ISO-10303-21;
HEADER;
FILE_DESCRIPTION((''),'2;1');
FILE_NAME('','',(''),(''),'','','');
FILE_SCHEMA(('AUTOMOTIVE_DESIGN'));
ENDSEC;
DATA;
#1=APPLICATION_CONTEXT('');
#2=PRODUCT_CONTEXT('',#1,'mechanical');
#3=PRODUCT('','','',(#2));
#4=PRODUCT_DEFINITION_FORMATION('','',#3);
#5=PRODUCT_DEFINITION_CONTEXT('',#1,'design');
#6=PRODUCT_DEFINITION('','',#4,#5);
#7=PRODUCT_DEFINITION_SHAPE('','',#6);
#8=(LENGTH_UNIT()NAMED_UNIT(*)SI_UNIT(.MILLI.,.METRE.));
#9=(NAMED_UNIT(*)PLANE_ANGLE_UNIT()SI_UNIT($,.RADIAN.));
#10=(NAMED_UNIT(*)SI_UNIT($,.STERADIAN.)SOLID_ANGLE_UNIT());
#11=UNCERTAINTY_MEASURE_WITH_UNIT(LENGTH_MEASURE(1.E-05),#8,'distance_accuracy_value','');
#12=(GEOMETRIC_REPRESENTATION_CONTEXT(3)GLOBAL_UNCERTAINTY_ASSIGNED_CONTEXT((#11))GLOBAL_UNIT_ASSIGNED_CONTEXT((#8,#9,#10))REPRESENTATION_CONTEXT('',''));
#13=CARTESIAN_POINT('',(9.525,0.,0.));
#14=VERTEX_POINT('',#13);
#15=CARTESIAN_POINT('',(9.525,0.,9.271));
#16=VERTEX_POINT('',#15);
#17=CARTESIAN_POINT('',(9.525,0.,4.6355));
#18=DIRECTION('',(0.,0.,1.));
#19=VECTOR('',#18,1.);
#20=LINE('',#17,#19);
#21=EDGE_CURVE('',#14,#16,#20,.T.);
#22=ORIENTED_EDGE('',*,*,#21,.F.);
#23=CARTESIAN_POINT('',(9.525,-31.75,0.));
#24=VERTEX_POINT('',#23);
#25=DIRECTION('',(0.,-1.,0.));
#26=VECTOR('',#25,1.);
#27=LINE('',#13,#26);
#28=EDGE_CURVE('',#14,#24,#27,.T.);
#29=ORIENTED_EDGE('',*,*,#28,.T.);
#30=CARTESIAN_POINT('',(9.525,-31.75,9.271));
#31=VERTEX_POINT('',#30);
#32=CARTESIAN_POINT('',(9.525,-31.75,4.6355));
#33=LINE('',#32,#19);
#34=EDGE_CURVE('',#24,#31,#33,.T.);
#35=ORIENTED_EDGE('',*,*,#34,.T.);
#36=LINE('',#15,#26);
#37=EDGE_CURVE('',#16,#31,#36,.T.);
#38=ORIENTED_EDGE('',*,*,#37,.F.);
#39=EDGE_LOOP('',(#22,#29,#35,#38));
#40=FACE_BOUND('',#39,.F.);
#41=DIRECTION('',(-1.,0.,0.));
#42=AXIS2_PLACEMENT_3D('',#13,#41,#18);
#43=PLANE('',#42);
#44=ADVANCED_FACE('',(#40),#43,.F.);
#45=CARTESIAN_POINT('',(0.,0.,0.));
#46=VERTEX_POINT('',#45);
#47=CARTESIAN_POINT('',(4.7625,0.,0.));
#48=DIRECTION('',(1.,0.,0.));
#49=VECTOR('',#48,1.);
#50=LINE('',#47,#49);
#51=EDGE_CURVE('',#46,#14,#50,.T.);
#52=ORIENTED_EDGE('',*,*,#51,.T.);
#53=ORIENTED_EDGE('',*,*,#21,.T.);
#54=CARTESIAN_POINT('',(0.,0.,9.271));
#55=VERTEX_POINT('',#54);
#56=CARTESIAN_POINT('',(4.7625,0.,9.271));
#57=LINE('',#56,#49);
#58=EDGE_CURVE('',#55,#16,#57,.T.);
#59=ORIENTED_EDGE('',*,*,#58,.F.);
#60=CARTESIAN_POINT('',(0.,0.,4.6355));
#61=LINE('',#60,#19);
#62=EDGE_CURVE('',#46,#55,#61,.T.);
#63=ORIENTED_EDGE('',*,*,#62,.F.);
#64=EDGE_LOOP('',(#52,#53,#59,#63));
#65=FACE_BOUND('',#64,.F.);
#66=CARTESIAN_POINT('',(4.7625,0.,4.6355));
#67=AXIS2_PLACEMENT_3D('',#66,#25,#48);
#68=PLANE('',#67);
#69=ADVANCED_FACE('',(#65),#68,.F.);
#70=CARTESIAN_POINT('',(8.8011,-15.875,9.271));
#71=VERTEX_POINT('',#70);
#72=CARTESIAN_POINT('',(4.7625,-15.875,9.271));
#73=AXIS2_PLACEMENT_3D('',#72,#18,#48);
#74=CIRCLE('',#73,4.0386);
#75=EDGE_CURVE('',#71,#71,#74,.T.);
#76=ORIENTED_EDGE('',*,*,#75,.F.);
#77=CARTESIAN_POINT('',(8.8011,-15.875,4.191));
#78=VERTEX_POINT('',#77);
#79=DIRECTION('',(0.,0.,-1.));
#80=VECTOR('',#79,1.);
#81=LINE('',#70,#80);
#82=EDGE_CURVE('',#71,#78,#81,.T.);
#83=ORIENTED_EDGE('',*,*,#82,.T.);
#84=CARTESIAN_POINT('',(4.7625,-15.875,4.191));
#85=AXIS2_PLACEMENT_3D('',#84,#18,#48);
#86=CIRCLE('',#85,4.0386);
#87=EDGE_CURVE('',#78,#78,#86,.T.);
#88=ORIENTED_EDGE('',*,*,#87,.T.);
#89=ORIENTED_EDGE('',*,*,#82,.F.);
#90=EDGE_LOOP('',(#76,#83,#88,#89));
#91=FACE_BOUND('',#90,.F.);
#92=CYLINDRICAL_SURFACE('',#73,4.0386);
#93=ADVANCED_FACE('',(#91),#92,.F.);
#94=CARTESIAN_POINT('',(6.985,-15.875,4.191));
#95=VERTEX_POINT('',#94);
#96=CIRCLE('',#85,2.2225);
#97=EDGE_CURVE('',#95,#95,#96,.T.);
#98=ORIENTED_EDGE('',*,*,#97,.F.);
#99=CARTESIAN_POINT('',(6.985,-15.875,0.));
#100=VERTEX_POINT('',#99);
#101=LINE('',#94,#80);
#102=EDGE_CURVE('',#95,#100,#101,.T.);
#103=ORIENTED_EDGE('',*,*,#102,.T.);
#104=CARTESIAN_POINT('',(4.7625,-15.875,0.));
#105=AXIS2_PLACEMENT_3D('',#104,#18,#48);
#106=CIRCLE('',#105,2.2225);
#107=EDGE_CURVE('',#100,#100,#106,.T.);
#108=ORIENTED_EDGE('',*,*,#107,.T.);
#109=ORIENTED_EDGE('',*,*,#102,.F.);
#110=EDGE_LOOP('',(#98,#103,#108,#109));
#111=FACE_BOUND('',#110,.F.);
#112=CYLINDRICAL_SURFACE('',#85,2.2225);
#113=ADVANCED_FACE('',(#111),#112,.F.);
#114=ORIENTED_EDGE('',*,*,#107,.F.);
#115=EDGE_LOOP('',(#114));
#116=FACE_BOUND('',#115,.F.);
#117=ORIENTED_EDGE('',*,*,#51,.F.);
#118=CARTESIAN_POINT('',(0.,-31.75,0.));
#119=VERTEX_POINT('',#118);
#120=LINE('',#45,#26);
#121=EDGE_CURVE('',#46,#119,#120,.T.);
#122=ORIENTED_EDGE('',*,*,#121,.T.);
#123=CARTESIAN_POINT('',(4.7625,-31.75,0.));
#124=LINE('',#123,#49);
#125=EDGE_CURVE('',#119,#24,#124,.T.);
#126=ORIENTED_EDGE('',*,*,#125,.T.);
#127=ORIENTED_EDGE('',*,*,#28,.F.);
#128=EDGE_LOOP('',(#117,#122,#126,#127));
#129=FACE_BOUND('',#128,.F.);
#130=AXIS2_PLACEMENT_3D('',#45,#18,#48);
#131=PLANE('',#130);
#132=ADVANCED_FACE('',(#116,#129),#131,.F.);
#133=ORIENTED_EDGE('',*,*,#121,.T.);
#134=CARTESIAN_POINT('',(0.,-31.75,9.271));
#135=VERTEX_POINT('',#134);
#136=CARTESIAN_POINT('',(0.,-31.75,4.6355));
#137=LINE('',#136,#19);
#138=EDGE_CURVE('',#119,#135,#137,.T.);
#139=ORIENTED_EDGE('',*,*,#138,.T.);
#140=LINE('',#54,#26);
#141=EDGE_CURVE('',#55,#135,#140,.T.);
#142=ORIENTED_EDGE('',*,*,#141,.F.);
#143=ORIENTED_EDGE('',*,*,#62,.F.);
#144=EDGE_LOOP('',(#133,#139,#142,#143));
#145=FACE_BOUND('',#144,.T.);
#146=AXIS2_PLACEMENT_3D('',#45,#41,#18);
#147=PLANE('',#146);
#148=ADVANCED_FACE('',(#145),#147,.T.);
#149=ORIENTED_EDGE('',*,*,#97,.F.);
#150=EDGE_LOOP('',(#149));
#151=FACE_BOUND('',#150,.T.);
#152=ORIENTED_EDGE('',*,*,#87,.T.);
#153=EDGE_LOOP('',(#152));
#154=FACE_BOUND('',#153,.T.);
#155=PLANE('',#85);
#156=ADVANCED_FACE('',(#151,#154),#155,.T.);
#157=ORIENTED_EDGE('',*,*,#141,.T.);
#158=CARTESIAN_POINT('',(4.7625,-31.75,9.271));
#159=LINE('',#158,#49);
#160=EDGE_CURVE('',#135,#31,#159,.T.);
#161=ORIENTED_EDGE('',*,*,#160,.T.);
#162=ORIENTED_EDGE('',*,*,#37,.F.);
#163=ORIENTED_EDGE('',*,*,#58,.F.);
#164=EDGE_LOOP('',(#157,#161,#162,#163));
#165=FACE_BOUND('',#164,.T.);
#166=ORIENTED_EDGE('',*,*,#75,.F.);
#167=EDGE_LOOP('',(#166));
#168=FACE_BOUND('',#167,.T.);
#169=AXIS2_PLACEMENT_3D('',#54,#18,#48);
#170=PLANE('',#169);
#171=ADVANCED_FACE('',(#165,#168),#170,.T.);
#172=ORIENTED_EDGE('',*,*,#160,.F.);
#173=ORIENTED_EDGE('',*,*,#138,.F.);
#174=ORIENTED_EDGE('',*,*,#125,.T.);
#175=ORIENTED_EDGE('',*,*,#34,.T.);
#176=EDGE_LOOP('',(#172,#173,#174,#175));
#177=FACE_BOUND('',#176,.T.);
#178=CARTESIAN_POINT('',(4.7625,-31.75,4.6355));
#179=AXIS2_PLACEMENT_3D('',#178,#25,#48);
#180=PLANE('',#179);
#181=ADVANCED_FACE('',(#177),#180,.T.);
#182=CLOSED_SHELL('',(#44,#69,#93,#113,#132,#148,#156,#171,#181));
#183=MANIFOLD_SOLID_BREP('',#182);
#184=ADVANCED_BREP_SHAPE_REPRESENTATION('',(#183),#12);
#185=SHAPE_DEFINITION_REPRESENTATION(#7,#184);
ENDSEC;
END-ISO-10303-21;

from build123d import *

# Parameters (mm, degrees)
F0_W     = 9.525
F0_H     = 9.271
F1_DEPTH = 31.75
F2_R     = 4.0386
F3_DEPTH = 5.08
F4_R     = 2.2225
F5_DEPTH = 4.192


with BuildPart() as f1:
    # F0 (on Front) → F1 (new body)
    with BuildSketch(Plane.XZ):
        with Locations((4.7625, 4.6355)):
            Rectangle(F0_W, F0_H)
    extrude(amount=F1_DEPTH)

    # F2 (on face) → F3 (cut)
    with BuildSketch(Plane.XY.offset(9.271)):
        with Locations((4.7625, -15.875)):
            Circle(F2_R)
    extrude(amount=-F3_DEPTH, mode=Mode.SUBTRACT)

    # F4 (on face) → F5 (cut, through all)
    with BuildSketch(Plane.XY.offset(4.191)):
        with Locations((4.7625, -15.875)):
            Circle(F4_R)
    extrude(amount=-F5_DEPTH, mode=Mode.SUBTRACT)


solid = f1.part
